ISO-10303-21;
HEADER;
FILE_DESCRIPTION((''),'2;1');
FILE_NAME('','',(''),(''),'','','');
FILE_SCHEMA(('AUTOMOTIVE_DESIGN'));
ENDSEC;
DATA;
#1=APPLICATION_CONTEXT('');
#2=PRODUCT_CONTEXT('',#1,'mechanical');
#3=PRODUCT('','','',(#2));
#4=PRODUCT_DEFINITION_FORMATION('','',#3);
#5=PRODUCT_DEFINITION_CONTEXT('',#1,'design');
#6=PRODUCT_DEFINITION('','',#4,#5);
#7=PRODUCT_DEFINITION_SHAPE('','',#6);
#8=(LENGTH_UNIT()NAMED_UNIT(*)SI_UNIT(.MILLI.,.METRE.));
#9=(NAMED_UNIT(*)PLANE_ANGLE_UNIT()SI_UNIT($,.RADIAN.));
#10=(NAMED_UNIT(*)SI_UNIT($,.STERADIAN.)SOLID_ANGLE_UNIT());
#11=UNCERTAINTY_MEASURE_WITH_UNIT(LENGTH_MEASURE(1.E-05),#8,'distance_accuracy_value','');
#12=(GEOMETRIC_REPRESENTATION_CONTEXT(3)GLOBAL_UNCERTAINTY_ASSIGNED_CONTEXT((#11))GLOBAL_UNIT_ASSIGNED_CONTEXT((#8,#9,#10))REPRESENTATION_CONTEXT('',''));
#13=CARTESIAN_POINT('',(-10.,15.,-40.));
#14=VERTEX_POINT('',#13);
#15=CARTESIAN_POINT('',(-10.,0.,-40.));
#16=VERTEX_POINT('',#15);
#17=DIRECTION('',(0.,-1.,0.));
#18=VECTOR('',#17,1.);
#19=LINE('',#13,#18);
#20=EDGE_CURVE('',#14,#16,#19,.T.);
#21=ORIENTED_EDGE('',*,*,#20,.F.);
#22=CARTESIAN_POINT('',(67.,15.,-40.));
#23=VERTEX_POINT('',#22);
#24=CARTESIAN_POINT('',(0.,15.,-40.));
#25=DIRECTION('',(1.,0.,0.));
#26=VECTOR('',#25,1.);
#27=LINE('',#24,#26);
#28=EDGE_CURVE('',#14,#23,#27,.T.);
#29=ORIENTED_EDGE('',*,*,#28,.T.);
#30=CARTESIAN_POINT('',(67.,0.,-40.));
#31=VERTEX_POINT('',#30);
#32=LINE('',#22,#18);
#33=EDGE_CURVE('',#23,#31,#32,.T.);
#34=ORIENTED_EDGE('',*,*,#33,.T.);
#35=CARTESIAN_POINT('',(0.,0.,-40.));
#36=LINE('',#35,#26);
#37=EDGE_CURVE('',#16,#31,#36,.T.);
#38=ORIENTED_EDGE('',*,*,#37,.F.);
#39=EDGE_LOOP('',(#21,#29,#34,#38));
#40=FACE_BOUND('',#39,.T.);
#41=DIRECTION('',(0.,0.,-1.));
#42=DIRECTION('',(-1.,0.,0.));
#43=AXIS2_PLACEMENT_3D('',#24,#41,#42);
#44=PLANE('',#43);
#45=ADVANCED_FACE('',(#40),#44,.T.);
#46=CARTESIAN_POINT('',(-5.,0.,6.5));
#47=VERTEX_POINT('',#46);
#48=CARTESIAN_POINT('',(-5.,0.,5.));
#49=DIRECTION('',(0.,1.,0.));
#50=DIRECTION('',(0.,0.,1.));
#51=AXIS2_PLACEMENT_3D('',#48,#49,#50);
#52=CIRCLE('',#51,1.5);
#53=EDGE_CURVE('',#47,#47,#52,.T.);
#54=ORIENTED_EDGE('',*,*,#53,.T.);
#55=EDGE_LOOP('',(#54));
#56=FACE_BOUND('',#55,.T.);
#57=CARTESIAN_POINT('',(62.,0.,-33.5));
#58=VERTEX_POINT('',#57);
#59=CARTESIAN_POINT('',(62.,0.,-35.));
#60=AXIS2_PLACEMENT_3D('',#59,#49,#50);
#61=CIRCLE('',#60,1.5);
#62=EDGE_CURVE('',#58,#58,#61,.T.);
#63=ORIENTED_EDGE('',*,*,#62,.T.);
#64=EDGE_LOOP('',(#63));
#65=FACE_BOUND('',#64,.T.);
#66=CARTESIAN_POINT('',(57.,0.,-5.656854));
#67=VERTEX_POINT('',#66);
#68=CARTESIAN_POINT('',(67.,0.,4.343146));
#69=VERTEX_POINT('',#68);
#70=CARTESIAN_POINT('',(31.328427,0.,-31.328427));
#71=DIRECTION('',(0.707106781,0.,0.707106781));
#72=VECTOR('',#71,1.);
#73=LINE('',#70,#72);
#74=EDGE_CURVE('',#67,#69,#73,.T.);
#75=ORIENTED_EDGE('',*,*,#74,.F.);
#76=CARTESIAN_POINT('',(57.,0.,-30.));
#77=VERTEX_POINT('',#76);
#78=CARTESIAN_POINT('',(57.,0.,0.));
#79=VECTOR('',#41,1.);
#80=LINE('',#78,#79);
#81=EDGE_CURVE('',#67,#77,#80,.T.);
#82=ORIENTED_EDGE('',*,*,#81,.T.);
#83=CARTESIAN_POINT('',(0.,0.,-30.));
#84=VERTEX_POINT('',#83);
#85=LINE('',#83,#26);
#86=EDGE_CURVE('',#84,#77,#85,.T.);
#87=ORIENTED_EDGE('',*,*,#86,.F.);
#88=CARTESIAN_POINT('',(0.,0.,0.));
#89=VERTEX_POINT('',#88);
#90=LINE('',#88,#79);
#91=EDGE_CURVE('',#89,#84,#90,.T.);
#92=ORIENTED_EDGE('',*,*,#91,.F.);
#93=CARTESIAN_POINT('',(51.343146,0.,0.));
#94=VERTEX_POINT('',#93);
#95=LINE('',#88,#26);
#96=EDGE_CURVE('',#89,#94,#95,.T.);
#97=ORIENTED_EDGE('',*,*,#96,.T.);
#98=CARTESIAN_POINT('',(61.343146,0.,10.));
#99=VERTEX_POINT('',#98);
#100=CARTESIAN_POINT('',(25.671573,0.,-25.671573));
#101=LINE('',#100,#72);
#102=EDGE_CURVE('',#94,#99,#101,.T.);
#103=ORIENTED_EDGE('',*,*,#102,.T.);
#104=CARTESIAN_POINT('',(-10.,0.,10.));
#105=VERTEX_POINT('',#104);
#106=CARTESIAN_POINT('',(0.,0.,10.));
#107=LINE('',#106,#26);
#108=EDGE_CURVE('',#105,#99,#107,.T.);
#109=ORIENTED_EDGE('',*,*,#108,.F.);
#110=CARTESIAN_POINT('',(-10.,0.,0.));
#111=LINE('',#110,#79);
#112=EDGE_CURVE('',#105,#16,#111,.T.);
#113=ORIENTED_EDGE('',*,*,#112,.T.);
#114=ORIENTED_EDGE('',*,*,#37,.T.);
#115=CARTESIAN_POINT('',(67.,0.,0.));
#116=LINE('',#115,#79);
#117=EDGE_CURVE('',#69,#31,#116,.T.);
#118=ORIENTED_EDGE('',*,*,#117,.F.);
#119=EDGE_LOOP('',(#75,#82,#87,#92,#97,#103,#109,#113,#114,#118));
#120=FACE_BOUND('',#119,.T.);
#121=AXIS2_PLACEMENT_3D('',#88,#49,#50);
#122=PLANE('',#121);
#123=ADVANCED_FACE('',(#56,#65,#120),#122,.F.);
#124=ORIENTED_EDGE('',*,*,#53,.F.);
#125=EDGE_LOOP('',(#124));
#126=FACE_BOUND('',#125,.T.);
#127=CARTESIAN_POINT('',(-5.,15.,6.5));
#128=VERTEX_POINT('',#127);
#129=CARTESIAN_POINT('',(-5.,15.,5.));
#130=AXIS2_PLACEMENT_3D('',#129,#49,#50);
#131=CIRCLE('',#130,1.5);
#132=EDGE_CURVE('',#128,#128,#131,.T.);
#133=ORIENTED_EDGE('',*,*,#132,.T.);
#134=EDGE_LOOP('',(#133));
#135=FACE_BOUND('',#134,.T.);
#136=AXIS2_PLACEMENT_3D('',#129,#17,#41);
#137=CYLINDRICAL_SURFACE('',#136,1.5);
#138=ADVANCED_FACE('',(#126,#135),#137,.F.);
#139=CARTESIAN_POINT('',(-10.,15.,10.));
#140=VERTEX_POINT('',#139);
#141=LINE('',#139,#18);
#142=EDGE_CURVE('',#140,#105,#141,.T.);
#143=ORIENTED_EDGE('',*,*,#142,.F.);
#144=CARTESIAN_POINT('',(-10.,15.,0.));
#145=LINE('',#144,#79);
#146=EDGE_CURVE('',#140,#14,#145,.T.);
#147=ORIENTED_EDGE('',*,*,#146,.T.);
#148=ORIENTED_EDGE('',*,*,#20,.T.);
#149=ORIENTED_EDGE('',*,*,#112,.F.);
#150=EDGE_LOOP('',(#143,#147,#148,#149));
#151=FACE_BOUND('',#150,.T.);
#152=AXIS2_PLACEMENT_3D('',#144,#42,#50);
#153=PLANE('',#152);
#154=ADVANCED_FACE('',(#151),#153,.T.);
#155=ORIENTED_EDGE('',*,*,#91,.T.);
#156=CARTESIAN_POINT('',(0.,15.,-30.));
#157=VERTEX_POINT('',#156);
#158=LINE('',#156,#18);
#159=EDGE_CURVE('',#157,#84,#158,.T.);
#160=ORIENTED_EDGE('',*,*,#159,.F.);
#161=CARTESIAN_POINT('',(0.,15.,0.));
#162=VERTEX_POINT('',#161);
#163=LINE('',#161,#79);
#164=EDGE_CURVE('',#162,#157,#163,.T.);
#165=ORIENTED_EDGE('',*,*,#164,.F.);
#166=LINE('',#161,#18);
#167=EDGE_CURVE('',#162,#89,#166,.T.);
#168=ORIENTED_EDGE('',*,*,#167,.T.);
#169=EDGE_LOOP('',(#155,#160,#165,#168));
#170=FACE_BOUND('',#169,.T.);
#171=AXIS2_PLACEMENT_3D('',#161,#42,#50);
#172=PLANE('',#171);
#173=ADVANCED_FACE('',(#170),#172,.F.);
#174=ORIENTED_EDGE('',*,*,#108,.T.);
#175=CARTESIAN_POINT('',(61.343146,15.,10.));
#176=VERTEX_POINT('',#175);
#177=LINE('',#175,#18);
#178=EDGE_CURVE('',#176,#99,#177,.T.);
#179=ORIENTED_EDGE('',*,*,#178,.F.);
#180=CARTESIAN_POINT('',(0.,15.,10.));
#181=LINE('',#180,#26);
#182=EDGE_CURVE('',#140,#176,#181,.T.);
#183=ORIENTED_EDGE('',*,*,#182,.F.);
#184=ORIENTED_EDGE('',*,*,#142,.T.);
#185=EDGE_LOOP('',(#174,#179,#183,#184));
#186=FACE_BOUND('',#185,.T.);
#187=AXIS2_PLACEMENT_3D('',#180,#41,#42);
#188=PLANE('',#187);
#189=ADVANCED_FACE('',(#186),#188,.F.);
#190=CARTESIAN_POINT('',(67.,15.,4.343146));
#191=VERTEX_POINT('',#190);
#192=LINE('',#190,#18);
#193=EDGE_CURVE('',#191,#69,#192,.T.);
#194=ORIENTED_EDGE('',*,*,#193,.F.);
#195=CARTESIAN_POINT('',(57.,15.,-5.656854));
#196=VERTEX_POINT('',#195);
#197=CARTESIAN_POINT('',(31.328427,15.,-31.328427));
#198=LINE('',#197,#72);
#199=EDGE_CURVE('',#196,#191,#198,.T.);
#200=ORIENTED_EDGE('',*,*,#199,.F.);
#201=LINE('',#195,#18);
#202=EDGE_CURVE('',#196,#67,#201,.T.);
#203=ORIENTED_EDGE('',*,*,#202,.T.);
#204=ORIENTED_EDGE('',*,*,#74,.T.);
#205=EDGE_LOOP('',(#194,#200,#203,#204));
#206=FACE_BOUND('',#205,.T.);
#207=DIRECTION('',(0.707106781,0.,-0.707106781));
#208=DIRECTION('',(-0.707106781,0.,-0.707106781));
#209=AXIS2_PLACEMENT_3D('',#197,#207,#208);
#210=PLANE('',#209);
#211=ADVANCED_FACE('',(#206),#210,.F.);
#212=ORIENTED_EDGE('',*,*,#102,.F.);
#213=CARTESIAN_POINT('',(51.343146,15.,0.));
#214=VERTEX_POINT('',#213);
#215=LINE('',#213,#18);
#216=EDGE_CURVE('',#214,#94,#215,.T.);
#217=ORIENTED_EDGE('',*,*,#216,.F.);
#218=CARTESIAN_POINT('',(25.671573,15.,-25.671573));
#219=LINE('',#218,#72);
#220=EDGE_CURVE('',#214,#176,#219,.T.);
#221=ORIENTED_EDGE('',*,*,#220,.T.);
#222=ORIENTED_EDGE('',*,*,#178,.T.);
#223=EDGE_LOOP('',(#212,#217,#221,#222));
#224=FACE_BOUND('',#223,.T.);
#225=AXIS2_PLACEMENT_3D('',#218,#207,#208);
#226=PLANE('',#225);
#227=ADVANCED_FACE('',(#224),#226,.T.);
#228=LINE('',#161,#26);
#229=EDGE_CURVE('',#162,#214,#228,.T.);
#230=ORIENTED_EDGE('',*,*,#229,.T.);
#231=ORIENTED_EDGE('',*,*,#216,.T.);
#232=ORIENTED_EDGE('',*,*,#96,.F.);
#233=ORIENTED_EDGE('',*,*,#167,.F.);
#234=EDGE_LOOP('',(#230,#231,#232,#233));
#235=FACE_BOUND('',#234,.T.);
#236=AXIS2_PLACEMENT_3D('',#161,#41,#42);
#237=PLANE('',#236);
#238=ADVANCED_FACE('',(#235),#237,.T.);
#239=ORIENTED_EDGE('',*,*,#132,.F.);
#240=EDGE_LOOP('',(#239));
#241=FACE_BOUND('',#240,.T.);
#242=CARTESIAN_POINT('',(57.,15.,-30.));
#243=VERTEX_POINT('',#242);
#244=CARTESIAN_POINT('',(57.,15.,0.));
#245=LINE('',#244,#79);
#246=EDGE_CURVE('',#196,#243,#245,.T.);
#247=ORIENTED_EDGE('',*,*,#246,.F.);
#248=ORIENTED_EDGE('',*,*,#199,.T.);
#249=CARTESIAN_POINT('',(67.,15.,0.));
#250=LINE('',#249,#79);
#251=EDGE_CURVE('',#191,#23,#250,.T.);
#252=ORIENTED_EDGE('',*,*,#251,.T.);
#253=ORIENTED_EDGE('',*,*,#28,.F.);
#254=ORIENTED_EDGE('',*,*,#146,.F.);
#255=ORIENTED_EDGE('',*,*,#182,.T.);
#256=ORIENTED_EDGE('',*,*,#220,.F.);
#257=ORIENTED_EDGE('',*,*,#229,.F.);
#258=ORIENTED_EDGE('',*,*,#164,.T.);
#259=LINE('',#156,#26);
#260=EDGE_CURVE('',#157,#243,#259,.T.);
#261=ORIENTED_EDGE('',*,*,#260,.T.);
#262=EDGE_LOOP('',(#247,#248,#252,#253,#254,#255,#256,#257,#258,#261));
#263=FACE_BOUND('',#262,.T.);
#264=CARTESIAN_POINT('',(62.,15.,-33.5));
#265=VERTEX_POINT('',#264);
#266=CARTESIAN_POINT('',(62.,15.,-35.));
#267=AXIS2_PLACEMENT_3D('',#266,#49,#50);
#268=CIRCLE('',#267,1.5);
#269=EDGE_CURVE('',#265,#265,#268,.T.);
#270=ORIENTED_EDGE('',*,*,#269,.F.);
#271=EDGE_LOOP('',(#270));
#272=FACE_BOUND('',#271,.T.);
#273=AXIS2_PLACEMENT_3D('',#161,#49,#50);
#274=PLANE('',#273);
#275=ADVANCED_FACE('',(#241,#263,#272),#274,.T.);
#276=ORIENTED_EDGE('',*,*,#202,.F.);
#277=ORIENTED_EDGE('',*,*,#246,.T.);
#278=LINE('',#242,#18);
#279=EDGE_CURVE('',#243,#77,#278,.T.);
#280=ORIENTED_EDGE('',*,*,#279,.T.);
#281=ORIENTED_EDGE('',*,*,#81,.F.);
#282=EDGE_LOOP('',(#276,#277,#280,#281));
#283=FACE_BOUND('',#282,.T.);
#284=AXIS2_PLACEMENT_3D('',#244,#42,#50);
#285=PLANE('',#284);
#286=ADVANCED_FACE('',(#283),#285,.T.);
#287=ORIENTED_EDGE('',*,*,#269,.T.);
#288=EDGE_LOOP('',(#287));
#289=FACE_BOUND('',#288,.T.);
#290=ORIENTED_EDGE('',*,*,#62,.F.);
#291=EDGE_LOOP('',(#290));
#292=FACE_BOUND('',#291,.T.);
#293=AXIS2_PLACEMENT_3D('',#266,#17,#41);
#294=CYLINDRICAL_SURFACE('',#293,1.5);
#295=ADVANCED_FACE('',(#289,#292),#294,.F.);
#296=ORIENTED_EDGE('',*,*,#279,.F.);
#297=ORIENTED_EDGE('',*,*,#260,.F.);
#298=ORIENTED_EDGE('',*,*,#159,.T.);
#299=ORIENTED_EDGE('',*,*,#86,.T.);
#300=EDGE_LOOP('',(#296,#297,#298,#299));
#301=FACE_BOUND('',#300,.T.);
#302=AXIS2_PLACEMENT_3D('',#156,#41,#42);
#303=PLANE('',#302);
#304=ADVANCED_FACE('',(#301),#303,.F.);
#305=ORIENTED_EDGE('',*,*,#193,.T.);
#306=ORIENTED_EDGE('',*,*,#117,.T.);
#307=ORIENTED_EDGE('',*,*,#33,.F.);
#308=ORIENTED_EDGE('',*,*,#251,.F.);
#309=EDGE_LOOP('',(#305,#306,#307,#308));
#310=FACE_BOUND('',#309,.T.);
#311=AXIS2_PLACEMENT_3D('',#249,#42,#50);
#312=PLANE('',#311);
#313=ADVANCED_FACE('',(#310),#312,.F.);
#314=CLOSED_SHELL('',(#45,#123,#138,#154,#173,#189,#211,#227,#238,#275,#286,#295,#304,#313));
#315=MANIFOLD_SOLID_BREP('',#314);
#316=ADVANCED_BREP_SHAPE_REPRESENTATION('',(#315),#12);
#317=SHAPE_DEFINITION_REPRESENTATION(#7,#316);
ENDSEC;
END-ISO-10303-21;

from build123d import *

# Parameters (mm, degrees)
SKETCH1_R           = 1.5
BOSS_EXTRUDE1_DEPTH = 15


with BuildPart() as part:
    # Sketch1 → Boss-Extrude1 (new body)
    with BuildSketch(Plane(origin=(0, 0, 0), x_dir=(1, 0, 0), z_dir=(0, 1, 0))):
        Polygon((67, 40), (-10, 40), (-10, -10), (61.343145751, -10), (51.343145751, 0), (0, 0), (0, 30), (57, 30), (57, 5.656854249), (67, -4.343145751), align=None)
        with Locations((-5, -5)):
            Circle(SKETCH1_R, mode=Mode.SUBTRACT)
        with Locations((62, 35)):
            Circle(SKETCH1_R, mode=Mode.SUBTRACT)
    extrude(amount=BOSS_EXTRUDE1_DEPTH)


solid = part.part
